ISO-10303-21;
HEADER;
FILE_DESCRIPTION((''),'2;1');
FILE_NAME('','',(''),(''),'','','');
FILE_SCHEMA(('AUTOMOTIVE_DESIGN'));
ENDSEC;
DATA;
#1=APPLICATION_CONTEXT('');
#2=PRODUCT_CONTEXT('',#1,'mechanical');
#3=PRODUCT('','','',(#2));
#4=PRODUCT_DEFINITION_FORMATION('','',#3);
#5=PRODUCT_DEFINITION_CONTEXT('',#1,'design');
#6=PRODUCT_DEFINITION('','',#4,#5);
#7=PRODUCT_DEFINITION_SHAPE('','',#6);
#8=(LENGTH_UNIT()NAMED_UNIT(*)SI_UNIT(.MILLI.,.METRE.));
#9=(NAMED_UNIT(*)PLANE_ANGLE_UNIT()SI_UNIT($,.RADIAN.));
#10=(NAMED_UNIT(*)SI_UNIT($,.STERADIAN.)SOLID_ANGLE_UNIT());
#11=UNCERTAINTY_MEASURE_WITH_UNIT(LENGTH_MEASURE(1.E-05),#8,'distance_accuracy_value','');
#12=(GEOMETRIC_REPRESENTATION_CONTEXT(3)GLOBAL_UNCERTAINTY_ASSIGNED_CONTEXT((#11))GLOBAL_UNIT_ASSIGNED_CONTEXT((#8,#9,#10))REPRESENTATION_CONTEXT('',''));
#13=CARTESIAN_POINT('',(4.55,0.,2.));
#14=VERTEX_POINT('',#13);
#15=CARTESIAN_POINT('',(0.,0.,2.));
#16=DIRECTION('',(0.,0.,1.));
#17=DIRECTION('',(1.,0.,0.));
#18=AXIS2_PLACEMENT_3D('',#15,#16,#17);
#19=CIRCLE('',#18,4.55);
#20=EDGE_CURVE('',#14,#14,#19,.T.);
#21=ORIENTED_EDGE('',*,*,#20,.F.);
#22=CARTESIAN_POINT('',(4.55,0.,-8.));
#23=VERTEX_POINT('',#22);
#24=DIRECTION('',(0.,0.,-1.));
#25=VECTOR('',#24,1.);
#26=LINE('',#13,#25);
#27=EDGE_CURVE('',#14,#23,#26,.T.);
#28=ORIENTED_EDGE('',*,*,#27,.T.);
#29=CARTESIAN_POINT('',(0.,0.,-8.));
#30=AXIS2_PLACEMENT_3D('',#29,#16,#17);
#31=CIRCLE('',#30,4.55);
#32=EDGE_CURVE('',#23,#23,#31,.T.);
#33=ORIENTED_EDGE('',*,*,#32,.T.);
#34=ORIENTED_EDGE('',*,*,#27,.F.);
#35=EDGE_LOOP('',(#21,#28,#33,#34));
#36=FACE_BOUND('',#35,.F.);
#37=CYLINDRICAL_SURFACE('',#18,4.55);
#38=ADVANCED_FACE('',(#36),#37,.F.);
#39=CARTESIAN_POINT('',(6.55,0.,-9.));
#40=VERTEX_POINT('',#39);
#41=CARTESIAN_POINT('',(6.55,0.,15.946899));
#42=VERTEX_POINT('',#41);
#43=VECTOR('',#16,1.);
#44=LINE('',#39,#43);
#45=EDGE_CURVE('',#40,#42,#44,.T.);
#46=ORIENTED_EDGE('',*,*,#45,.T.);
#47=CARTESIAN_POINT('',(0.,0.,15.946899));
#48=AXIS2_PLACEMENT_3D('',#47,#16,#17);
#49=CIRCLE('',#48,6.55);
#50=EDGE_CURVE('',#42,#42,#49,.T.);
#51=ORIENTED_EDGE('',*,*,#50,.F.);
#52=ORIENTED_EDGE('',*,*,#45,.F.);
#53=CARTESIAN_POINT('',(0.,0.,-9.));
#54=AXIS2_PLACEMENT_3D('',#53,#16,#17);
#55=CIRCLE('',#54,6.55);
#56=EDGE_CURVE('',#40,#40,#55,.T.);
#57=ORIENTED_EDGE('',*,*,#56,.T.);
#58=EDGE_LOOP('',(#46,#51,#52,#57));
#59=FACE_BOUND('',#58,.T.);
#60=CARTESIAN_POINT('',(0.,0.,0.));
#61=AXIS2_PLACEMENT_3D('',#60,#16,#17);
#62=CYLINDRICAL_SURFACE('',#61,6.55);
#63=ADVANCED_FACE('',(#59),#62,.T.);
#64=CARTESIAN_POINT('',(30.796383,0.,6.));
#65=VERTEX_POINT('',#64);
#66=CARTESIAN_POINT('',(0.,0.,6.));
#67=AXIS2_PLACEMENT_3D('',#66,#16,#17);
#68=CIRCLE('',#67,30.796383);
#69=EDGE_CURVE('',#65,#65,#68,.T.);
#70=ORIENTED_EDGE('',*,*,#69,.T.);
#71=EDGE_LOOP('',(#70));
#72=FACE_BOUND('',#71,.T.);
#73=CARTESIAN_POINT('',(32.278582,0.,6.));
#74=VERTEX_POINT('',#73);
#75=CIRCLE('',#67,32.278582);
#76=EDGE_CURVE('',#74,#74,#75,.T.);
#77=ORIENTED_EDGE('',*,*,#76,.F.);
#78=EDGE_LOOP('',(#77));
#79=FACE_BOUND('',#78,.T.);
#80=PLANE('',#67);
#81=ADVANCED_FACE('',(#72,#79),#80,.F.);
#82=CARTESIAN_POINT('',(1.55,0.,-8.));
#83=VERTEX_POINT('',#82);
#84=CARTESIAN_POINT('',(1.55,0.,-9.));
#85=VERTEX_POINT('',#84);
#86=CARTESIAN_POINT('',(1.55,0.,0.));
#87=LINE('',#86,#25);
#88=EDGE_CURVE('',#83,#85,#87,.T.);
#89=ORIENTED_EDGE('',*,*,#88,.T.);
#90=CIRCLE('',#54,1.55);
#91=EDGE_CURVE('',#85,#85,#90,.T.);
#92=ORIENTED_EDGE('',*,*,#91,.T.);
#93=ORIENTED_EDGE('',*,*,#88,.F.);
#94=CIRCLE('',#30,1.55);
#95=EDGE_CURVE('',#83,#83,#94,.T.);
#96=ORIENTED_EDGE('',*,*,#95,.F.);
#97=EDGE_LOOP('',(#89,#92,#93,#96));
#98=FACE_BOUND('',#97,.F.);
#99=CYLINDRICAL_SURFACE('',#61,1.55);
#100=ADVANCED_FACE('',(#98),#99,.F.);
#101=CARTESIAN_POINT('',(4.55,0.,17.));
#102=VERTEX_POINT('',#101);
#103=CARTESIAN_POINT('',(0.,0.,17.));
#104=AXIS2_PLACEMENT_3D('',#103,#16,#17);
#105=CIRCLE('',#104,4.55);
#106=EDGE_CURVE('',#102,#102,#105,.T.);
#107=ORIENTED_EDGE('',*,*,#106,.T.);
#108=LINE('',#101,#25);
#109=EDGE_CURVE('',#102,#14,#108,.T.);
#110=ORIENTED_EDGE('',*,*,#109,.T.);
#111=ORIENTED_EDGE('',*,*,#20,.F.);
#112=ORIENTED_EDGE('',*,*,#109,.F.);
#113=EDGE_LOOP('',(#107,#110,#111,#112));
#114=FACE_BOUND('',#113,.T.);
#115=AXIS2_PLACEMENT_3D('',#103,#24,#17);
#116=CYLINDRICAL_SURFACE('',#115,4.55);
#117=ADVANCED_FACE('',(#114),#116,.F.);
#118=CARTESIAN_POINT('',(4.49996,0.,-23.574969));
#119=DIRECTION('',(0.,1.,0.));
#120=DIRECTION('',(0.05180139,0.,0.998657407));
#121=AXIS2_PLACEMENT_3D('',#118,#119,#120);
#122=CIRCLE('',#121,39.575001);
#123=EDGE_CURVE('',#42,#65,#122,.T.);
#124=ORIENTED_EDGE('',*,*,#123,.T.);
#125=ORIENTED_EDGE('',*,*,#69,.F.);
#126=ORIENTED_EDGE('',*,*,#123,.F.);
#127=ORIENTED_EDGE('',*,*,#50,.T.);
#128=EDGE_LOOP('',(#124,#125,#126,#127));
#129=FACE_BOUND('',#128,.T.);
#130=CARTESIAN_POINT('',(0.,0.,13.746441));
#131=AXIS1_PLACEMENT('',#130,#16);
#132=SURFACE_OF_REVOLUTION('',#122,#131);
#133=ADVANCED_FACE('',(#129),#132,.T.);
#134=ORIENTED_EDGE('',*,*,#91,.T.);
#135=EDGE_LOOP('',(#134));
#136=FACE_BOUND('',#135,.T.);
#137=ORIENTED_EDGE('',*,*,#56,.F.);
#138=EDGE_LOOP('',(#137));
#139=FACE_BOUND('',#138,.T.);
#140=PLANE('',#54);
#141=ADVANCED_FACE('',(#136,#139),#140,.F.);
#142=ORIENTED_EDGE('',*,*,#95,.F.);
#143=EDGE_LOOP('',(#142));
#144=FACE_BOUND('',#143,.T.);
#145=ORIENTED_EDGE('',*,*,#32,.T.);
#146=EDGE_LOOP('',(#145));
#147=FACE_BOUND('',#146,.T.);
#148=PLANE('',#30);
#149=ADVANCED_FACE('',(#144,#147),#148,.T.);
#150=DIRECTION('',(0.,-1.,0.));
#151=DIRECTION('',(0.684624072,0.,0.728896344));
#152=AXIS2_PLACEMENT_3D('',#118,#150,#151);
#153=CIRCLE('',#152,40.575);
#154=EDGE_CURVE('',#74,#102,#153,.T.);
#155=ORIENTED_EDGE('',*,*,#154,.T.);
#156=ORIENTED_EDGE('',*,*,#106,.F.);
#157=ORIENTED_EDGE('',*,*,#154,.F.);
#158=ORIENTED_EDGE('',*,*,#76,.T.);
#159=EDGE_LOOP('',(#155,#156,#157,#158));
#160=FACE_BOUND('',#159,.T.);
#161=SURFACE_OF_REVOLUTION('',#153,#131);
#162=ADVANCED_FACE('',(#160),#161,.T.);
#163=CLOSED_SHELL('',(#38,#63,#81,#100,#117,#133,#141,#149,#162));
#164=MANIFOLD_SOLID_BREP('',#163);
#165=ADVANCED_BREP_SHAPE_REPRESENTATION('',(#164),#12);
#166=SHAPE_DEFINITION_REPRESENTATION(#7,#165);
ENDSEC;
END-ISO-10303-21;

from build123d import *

# Parameters (mm, degrees)
F2_DEPTH = 10
F3_DEPTH = 10
F4_DEPTH = 1


with BuildPart() as f1:
    # F0 (on Front) → F1 (revolve)
    with BuildSketch(Plane.XZ):
        with BuildLine():
            Line((1.55, 2), (1.55, 0))
            Line((1.55, 0), (6.55, 0))
            Line((6.55, 0), (6.55, 14.9455200697))
            Line((6.55, 14.9455200697), (6.55, 15.9468985058))
            ThreePointArc((6.55, 15.9468985058), (19.5204691227, 13.0387576646), (30.7963834074, 6))
            Line((30.7963834074, 6), (32.2785816747, 6))
            ThreePointArc((32.2785816747, 6), (19.4618650437, 14.1407042674), (4.55, 17))
            Line((4.55, 17), (4.55, 16))
            Line((4.55, 16), (4.55, 15))
            Line((4.55, 15), (4.55, 2))
            Line((4.55, 2), (1.55, 2))
        make_face()
    revolve(axis=Axis((0, 0, 13.7464413419), (0, 0, 1)))

    # F2 (add): a face of the model
    f2_faces = [f1.faces().sort_by_distance(p)[0] for p in [
        (-1.7352619767, 0, 0),
    ]]
    extrude(f2_faces, amount=F2_DEPTH)

    # F3 (cut): a face of the model
    f3_faces = [f1.faces().sort_by_distance(p)[0] for p in [
        (-4.4213065658, 0, 2),
    ]]
    extrude(f3_faces, amount=-F3_DEPTH, mode=Mode.SUBTRACT)

    # F4 (cut): a face of the model
    f4_faces = [f1.faces().sort_by_distance(p)[0] for p in [
        (-1.7352619767, 0, -10),
    ]]
    extrude(f4_faces, amount=-F4_DEPTH, mode=Mode.SUBTRACT)


solid = f1.part
